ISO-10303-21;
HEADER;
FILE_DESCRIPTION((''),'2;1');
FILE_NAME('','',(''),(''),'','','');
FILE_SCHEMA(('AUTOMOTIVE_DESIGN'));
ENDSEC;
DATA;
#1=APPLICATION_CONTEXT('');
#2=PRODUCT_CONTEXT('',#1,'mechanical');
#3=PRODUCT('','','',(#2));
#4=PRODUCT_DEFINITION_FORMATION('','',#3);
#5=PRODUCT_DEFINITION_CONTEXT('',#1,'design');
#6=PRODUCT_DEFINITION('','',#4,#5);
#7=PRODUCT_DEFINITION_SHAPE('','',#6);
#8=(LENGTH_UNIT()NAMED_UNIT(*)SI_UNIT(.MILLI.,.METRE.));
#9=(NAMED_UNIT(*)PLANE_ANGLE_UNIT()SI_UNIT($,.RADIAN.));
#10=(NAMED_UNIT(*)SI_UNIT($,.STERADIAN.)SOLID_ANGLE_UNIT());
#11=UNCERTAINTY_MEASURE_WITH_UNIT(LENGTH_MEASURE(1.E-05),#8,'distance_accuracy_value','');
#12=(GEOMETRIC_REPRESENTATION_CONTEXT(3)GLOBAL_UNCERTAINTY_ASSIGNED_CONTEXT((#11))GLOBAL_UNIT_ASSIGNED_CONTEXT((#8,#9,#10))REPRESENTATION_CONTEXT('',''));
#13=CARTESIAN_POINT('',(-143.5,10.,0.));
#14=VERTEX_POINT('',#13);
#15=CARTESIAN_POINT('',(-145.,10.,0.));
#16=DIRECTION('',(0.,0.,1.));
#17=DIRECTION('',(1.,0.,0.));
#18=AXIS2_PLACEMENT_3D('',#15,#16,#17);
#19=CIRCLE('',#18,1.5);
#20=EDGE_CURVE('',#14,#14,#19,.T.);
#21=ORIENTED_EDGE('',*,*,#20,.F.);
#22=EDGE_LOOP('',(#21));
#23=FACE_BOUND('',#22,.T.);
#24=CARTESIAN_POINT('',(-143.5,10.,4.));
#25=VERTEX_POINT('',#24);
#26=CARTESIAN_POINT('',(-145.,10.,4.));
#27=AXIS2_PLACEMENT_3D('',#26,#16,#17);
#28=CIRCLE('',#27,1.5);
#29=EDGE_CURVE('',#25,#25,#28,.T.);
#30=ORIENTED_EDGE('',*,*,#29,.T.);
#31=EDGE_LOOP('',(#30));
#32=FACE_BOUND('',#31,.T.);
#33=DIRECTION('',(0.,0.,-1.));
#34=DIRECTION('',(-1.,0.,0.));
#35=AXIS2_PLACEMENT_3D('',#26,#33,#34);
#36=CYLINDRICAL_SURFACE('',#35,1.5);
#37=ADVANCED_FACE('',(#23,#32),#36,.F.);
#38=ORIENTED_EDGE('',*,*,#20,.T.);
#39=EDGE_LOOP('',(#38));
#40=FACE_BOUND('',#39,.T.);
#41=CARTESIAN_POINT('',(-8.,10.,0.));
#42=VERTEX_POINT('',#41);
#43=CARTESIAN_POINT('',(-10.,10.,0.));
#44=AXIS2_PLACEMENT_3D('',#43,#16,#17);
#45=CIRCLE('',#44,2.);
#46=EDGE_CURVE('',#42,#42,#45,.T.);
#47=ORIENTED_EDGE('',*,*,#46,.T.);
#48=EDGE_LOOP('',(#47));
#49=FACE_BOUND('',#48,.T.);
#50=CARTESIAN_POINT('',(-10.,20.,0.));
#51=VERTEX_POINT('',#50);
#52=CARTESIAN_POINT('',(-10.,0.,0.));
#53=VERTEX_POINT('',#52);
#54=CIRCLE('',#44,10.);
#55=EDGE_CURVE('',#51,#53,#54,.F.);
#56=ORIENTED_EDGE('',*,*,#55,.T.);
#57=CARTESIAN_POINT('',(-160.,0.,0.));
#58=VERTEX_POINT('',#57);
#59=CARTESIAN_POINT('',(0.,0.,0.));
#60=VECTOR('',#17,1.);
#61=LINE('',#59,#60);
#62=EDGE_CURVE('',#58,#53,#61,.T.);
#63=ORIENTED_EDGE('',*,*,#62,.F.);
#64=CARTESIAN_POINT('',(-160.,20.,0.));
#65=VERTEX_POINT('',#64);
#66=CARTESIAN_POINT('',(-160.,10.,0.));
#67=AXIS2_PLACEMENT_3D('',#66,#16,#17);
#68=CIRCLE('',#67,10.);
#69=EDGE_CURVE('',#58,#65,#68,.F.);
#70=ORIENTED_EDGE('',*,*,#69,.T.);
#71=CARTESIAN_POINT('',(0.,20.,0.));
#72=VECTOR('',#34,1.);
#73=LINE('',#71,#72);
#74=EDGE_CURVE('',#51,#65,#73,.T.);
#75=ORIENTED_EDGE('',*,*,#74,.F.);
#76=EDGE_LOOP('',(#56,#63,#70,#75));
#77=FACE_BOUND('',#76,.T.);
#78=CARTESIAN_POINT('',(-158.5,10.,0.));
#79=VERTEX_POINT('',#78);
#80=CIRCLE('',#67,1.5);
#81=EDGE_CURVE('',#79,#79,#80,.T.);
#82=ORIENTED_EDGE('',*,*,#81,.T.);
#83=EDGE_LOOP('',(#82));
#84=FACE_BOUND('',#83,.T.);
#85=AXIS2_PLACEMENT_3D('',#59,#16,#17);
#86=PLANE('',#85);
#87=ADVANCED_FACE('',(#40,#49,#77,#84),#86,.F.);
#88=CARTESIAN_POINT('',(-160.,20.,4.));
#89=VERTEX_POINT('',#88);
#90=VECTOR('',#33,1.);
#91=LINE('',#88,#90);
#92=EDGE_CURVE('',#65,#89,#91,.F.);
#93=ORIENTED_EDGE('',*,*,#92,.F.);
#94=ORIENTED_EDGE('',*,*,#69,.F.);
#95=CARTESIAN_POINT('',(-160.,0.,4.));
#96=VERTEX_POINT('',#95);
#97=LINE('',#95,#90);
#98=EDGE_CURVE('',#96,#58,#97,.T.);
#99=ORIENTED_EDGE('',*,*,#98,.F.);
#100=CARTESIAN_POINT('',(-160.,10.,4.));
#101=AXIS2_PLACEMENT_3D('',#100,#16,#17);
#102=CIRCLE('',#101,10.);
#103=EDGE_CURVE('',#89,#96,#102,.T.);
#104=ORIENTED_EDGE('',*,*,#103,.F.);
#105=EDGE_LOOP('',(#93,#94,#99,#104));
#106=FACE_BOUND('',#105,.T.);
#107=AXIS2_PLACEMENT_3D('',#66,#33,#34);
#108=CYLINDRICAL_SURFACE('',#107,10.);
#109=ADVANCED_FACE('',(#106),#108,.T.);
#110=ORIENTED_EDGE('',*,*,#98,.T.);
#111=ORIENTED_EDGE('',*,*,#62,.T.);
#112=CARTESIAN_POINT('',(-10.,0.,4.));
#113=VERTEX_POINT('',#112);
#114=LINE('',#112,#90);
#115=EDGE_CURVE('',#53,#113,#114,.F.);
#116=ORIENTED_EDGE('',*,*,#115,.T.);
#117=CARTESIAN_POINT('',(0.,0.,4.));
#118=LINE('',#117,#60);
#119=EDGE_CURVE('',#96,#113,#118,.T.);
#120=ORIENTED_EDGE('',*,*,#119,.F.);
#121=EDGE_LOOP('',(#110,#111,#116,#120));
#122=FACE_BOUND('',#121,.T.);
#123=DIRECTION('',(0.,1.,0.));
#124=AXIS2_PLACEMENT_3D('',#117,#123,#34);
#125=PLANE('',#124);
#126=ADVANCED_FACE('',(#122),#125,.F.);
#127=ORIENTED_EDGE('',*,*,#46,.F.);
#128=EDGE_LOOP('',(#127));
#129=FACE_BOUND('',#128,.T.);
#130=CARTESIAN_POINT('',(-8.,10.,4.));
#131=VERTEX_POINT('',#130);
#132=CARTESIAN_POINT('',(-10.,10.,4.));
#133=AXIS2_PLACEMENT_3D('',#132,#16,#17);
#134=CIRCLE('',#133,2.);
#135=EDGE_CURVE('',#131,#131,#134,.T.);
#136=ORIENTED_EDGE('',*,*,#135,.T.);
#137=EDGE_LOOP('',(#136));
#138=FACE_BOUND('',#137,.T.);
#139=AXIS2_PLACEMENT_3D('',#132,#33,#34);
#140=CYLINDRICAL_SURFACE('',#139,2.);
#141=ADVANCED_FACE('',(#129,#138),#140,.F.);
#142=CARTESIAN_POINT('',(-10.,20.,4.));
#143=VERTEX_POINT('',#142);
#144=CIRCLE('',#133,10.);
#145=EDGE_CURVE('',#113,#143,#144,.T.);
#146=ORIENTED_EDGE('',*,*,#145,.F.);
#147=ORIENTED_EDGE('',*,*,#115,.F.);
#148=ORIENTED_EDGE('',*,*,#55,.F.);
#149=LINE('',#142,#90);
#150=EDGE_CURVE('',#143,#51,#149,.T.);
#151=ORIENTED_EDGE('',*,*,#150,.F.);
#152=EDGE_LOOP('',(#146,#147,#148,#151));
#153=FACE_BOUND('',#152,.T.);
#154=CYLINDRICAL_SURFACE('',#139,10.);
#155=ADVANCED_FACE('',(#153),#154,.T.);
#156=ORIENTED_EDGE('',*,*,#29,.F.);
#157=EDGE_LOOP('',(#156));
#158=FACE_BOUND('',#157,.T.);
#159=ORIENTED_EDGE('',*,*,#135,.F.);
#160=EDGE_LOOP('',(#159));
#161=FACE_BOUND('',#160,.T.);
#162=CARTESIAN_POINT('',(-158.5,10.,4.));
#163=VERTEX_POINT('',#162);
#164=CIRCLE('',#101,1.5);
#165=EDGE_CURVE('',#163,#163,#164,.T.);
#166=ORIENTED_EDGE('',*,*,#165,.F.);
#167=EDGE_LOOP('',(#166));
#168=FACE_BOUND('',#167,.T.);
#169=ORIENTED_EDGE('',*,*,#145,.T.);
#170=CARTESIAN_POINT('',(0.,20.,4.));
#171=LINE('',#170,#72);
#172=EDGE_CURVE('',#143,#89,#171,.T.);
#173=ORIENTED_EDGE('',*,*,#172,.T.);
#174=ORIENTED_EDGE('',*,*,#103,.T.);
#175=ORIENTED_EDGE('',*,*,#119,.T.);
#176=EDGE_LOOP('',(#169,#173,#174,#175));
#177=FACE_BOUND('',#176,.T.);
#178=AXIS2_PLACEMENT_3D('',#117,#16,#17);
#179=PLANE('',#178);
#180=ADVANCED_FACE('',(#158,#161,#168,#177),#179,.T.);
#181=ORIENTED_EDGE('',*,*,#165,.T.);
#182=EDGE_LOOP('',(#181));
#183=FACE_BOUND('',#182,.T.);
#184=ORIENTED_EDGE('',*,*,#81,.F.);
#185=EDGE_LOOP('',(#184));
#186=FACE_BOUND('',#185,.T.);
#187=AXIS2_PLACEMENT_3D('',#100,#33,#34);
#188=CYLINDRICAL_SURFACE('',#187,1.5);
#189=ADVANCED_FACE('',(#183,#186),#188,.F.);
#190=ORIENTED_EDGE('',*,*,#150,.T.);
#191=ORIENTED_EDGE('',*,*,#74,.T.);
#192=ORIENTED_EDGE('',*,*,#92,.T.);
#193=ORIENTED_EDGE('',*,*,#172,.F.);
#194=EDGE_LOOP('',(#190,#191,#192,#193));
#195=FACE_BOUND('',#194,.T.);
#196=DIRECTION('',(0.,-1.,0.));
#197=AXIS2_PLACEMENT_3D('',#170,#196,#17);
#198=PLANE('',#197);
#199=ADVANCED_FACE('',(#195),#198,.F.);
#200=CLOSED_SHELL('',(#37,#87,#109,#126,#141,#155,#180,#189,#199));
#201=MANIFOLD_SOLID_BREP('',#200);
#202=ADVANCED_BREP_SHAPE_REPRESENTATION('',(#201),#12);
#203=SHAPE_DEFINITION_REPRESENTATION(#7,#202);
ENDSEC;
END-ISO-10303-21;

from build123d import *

# Parameters (mm, degrees)
ESQUISSE1_W        = 170
ESQUISSE1_H        = 20
ESQUISSE1_R        = 1.5
ESQUISSE1_R_2      = 2
BOSS_EXTRU_1_DEPTH = 4
CONG_1_RADIUS      = 10
CONG_1_LENGTH      = 4
CONG_2_RADIUS      = 10
CONG_2_LENGTH      = 4


with BuildPart() as part:
    # Esquisse1 → Boss.-Extru.1 (new body)
    with BuildSketch(Plane.XY):
        with Locations((-85, 10)):
            Rectangle(ESQUISSE1_W, ESQUISSE1_H)
        with Locations((-160, 10)):
            Circle(ESQUISSE1_R, mode=Mode.SUBTRACT)
        with Locations((-10, 10)):
            Circle(ESQUISSE1_R_2, mode=Mode.SUBTRACT)
        with Locations((-145, 10)):
            Circle(ESQUISSE1_R, mode=Mode.SUBTRACT)
    extrude(amount=BOSS_EXTRU_1_DEPTH)

    # Congé1: full round fillet: the end face becomes a half cylinder, R = half its width
    cong_1_face = Plane((-170, 10, 2), x_dir=(0, 0, 1), z_dir=(-1, 0, 0))  # on the end face: x along it, z out of the body
    cong_1_slab = cong_1_face.offset(-CONG_1_RADIUS / 2) * Box(CONG_1_LENGTH, 2 * CONG_1_RADIUS, CONG_1_RADIUS, mode=Mode.PRIVATE)  # the body's end, R deep
    cong_1_round = Plane((-160, 10, 2), x_dir=(-1, 0, 0), z_dir=(0, 0, 1)) * Cylinder(CONG_1_RADIUS, CONG_1_LENGTH, mode=Mode.PRIVATE)  # its axis R under the face
    add(cong_1_slab - cong_1_round, mode=Mode.SUBTRACT)

    # Congé2: full round fillet: the end face becomes a half cylinder, R = half its width
    cong_2_face = Plane((0, 10, 2), x_dir=(0, 0, -1), z_dir=(1, 0, 0))  # on the end face: x along it, z out of the body
    cong_2_slab = cong_2_face.offset(-CONG_2_RADIUS / 2) * Box(CONG_2_LENGTH, 2 * CONG_2_RADIUS, CONG_2_RADIUS, mode=Mode.PRIVATE)  # the body's end, R deep
    cong_2_round = Plane((-10, 10, 2), x_dir=(1, 0, 0), z_dir=(0, 0, -1)) * Cylinder(CONG_2_RADIUS, CONG_2_LENGTH, mode=Mode.PRIVATE)  # its axis R under the face
    add(cong_2_slab - cong_2_round, mode=Mode.SUBTRACT)


solid = part.part
